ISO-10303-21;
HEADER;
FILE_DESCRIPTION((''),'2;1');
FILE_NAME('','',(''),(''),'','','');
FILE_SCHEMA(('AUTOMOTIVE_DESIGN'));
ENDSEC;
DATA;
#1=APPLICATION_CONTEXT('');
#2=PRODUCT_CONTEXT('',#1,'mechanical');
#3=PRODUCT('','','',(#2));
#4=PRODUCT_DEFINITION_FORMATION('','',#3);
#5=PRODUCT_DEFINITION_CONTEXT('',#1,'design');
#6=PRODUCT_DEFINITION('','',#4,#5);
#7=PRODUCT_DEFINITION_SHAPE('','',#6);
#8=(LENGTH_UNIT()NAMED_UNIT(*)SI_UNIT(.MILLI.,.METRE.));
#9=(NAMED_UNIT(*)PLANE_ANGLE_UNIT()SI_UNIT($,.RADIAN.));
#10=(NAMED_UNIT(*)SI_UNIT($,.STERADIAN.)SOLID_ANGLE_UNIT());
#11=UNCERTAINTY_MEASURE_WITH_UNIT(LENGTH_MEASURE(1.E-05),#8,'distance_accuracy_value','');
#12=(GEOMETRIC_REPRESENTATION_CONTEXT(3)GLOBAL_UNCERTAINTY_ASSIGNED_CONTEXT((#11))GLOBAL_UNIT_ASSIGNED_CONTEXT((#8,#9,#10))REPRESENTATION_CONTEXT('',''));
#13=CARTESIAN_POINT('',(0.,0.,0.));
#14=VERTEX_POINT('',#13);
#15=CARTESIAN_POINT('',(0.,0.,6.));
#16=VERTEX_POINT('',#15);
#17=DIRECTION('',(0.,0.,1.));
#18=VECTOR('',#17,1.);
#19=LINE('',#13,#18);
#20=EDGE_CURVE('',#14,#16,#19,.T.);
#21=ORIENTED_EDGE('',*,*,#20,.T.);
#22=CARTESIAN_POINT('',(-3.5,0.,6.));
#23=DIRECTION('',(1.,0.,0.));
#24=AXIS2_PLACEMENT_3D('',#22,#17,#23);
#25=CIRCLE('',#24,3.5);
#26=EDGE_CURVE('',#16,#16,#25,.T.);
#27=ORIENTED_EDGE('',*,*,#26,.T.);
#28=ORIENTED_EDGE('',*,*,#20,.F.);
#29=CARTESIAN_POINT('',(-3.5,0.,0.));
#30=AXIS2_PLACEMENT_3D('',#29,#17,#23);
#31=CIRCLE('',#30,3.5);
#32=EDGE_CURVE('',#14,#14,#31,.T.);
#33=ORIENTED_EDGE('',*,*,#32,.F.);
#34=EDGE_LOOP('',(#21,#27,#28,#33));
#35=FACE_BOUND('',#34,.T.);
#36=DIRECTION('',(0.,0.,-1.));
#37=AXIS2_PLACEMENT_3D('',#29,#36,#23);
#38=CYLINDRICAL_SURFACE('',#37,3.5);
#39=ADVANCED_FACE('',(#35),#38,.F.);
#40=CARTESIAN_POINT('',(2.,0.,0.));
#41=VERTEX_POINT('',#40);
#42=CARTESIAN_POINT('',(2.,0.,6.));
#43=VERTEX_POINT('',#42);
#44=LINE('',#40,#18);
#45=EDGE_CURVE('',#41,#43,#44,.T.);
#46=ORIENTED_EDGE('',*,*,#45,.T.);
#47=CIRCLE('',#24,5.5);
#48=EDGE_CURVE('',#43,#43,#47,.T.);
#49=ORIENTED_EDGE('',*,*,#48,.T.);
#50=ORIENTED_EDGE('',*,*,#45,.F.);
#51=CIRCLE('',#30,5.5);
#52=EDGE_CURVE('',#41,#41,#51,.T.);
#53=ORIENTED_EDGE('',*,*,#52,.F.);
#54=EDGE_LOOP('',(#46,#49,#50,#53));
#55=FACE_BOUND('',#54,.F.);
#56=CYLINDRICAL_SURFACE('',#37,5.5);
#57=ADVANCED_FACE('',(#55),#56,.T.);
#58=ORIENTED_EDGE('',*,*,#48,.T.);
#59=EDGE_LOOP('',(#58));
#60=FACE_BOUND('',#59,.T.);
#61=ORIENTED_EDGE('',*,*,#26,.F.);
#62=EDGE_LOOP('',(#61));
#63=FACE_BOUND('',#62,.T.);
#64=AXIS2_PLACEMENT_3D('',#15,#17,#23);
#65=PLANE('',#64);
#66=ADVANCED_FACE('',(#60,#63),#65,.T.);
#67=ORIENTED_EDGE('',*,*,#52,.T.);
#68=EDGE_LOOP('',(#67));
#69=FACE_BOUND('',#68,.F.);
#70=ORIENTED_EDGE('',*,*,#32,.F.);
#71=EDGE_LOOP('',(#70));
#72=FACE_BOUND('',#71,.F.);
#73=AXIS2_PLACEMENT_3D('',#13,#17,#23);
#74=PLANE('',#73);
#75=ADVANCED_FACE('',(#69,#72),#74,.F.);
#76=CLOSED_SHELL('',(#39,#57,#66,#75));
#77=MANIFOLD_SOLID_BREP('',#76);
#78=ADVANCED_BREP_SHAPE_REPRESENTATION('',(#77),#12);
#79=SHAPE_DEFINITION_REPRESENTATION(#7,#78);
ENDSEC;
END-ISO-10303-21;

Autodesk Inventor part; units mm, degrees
ref_plane "YZ Plane" through (0, 0, 0) normal (1, 0, 0) x (0, 1, 0)
ref_plane "XZ Plane" through (0, 0, 0) normal (0, 1, 0) x (-1, 0, 0)
sketch "Sketch1" plane through (0, 0, 0) normal (0, 0, 1) x (1, 0, 0)
  circle A0 centre (-3.5, 0) radius 3.5 projected
  circle A1 centre (-3.5, 0) radius 5.5
  point P0 (0, 0)
  dimension "d0" = 11
ref_plane "Work Plane1" through (-7, -3.5, 6) normal (0, 0, 1) x (1, 0, 0)
extrude "Extrusion1" add sketch "Sketch1" along normal up to surface (6 mm away)
properties part number "big_bearing" material "Steel, Alloy"
